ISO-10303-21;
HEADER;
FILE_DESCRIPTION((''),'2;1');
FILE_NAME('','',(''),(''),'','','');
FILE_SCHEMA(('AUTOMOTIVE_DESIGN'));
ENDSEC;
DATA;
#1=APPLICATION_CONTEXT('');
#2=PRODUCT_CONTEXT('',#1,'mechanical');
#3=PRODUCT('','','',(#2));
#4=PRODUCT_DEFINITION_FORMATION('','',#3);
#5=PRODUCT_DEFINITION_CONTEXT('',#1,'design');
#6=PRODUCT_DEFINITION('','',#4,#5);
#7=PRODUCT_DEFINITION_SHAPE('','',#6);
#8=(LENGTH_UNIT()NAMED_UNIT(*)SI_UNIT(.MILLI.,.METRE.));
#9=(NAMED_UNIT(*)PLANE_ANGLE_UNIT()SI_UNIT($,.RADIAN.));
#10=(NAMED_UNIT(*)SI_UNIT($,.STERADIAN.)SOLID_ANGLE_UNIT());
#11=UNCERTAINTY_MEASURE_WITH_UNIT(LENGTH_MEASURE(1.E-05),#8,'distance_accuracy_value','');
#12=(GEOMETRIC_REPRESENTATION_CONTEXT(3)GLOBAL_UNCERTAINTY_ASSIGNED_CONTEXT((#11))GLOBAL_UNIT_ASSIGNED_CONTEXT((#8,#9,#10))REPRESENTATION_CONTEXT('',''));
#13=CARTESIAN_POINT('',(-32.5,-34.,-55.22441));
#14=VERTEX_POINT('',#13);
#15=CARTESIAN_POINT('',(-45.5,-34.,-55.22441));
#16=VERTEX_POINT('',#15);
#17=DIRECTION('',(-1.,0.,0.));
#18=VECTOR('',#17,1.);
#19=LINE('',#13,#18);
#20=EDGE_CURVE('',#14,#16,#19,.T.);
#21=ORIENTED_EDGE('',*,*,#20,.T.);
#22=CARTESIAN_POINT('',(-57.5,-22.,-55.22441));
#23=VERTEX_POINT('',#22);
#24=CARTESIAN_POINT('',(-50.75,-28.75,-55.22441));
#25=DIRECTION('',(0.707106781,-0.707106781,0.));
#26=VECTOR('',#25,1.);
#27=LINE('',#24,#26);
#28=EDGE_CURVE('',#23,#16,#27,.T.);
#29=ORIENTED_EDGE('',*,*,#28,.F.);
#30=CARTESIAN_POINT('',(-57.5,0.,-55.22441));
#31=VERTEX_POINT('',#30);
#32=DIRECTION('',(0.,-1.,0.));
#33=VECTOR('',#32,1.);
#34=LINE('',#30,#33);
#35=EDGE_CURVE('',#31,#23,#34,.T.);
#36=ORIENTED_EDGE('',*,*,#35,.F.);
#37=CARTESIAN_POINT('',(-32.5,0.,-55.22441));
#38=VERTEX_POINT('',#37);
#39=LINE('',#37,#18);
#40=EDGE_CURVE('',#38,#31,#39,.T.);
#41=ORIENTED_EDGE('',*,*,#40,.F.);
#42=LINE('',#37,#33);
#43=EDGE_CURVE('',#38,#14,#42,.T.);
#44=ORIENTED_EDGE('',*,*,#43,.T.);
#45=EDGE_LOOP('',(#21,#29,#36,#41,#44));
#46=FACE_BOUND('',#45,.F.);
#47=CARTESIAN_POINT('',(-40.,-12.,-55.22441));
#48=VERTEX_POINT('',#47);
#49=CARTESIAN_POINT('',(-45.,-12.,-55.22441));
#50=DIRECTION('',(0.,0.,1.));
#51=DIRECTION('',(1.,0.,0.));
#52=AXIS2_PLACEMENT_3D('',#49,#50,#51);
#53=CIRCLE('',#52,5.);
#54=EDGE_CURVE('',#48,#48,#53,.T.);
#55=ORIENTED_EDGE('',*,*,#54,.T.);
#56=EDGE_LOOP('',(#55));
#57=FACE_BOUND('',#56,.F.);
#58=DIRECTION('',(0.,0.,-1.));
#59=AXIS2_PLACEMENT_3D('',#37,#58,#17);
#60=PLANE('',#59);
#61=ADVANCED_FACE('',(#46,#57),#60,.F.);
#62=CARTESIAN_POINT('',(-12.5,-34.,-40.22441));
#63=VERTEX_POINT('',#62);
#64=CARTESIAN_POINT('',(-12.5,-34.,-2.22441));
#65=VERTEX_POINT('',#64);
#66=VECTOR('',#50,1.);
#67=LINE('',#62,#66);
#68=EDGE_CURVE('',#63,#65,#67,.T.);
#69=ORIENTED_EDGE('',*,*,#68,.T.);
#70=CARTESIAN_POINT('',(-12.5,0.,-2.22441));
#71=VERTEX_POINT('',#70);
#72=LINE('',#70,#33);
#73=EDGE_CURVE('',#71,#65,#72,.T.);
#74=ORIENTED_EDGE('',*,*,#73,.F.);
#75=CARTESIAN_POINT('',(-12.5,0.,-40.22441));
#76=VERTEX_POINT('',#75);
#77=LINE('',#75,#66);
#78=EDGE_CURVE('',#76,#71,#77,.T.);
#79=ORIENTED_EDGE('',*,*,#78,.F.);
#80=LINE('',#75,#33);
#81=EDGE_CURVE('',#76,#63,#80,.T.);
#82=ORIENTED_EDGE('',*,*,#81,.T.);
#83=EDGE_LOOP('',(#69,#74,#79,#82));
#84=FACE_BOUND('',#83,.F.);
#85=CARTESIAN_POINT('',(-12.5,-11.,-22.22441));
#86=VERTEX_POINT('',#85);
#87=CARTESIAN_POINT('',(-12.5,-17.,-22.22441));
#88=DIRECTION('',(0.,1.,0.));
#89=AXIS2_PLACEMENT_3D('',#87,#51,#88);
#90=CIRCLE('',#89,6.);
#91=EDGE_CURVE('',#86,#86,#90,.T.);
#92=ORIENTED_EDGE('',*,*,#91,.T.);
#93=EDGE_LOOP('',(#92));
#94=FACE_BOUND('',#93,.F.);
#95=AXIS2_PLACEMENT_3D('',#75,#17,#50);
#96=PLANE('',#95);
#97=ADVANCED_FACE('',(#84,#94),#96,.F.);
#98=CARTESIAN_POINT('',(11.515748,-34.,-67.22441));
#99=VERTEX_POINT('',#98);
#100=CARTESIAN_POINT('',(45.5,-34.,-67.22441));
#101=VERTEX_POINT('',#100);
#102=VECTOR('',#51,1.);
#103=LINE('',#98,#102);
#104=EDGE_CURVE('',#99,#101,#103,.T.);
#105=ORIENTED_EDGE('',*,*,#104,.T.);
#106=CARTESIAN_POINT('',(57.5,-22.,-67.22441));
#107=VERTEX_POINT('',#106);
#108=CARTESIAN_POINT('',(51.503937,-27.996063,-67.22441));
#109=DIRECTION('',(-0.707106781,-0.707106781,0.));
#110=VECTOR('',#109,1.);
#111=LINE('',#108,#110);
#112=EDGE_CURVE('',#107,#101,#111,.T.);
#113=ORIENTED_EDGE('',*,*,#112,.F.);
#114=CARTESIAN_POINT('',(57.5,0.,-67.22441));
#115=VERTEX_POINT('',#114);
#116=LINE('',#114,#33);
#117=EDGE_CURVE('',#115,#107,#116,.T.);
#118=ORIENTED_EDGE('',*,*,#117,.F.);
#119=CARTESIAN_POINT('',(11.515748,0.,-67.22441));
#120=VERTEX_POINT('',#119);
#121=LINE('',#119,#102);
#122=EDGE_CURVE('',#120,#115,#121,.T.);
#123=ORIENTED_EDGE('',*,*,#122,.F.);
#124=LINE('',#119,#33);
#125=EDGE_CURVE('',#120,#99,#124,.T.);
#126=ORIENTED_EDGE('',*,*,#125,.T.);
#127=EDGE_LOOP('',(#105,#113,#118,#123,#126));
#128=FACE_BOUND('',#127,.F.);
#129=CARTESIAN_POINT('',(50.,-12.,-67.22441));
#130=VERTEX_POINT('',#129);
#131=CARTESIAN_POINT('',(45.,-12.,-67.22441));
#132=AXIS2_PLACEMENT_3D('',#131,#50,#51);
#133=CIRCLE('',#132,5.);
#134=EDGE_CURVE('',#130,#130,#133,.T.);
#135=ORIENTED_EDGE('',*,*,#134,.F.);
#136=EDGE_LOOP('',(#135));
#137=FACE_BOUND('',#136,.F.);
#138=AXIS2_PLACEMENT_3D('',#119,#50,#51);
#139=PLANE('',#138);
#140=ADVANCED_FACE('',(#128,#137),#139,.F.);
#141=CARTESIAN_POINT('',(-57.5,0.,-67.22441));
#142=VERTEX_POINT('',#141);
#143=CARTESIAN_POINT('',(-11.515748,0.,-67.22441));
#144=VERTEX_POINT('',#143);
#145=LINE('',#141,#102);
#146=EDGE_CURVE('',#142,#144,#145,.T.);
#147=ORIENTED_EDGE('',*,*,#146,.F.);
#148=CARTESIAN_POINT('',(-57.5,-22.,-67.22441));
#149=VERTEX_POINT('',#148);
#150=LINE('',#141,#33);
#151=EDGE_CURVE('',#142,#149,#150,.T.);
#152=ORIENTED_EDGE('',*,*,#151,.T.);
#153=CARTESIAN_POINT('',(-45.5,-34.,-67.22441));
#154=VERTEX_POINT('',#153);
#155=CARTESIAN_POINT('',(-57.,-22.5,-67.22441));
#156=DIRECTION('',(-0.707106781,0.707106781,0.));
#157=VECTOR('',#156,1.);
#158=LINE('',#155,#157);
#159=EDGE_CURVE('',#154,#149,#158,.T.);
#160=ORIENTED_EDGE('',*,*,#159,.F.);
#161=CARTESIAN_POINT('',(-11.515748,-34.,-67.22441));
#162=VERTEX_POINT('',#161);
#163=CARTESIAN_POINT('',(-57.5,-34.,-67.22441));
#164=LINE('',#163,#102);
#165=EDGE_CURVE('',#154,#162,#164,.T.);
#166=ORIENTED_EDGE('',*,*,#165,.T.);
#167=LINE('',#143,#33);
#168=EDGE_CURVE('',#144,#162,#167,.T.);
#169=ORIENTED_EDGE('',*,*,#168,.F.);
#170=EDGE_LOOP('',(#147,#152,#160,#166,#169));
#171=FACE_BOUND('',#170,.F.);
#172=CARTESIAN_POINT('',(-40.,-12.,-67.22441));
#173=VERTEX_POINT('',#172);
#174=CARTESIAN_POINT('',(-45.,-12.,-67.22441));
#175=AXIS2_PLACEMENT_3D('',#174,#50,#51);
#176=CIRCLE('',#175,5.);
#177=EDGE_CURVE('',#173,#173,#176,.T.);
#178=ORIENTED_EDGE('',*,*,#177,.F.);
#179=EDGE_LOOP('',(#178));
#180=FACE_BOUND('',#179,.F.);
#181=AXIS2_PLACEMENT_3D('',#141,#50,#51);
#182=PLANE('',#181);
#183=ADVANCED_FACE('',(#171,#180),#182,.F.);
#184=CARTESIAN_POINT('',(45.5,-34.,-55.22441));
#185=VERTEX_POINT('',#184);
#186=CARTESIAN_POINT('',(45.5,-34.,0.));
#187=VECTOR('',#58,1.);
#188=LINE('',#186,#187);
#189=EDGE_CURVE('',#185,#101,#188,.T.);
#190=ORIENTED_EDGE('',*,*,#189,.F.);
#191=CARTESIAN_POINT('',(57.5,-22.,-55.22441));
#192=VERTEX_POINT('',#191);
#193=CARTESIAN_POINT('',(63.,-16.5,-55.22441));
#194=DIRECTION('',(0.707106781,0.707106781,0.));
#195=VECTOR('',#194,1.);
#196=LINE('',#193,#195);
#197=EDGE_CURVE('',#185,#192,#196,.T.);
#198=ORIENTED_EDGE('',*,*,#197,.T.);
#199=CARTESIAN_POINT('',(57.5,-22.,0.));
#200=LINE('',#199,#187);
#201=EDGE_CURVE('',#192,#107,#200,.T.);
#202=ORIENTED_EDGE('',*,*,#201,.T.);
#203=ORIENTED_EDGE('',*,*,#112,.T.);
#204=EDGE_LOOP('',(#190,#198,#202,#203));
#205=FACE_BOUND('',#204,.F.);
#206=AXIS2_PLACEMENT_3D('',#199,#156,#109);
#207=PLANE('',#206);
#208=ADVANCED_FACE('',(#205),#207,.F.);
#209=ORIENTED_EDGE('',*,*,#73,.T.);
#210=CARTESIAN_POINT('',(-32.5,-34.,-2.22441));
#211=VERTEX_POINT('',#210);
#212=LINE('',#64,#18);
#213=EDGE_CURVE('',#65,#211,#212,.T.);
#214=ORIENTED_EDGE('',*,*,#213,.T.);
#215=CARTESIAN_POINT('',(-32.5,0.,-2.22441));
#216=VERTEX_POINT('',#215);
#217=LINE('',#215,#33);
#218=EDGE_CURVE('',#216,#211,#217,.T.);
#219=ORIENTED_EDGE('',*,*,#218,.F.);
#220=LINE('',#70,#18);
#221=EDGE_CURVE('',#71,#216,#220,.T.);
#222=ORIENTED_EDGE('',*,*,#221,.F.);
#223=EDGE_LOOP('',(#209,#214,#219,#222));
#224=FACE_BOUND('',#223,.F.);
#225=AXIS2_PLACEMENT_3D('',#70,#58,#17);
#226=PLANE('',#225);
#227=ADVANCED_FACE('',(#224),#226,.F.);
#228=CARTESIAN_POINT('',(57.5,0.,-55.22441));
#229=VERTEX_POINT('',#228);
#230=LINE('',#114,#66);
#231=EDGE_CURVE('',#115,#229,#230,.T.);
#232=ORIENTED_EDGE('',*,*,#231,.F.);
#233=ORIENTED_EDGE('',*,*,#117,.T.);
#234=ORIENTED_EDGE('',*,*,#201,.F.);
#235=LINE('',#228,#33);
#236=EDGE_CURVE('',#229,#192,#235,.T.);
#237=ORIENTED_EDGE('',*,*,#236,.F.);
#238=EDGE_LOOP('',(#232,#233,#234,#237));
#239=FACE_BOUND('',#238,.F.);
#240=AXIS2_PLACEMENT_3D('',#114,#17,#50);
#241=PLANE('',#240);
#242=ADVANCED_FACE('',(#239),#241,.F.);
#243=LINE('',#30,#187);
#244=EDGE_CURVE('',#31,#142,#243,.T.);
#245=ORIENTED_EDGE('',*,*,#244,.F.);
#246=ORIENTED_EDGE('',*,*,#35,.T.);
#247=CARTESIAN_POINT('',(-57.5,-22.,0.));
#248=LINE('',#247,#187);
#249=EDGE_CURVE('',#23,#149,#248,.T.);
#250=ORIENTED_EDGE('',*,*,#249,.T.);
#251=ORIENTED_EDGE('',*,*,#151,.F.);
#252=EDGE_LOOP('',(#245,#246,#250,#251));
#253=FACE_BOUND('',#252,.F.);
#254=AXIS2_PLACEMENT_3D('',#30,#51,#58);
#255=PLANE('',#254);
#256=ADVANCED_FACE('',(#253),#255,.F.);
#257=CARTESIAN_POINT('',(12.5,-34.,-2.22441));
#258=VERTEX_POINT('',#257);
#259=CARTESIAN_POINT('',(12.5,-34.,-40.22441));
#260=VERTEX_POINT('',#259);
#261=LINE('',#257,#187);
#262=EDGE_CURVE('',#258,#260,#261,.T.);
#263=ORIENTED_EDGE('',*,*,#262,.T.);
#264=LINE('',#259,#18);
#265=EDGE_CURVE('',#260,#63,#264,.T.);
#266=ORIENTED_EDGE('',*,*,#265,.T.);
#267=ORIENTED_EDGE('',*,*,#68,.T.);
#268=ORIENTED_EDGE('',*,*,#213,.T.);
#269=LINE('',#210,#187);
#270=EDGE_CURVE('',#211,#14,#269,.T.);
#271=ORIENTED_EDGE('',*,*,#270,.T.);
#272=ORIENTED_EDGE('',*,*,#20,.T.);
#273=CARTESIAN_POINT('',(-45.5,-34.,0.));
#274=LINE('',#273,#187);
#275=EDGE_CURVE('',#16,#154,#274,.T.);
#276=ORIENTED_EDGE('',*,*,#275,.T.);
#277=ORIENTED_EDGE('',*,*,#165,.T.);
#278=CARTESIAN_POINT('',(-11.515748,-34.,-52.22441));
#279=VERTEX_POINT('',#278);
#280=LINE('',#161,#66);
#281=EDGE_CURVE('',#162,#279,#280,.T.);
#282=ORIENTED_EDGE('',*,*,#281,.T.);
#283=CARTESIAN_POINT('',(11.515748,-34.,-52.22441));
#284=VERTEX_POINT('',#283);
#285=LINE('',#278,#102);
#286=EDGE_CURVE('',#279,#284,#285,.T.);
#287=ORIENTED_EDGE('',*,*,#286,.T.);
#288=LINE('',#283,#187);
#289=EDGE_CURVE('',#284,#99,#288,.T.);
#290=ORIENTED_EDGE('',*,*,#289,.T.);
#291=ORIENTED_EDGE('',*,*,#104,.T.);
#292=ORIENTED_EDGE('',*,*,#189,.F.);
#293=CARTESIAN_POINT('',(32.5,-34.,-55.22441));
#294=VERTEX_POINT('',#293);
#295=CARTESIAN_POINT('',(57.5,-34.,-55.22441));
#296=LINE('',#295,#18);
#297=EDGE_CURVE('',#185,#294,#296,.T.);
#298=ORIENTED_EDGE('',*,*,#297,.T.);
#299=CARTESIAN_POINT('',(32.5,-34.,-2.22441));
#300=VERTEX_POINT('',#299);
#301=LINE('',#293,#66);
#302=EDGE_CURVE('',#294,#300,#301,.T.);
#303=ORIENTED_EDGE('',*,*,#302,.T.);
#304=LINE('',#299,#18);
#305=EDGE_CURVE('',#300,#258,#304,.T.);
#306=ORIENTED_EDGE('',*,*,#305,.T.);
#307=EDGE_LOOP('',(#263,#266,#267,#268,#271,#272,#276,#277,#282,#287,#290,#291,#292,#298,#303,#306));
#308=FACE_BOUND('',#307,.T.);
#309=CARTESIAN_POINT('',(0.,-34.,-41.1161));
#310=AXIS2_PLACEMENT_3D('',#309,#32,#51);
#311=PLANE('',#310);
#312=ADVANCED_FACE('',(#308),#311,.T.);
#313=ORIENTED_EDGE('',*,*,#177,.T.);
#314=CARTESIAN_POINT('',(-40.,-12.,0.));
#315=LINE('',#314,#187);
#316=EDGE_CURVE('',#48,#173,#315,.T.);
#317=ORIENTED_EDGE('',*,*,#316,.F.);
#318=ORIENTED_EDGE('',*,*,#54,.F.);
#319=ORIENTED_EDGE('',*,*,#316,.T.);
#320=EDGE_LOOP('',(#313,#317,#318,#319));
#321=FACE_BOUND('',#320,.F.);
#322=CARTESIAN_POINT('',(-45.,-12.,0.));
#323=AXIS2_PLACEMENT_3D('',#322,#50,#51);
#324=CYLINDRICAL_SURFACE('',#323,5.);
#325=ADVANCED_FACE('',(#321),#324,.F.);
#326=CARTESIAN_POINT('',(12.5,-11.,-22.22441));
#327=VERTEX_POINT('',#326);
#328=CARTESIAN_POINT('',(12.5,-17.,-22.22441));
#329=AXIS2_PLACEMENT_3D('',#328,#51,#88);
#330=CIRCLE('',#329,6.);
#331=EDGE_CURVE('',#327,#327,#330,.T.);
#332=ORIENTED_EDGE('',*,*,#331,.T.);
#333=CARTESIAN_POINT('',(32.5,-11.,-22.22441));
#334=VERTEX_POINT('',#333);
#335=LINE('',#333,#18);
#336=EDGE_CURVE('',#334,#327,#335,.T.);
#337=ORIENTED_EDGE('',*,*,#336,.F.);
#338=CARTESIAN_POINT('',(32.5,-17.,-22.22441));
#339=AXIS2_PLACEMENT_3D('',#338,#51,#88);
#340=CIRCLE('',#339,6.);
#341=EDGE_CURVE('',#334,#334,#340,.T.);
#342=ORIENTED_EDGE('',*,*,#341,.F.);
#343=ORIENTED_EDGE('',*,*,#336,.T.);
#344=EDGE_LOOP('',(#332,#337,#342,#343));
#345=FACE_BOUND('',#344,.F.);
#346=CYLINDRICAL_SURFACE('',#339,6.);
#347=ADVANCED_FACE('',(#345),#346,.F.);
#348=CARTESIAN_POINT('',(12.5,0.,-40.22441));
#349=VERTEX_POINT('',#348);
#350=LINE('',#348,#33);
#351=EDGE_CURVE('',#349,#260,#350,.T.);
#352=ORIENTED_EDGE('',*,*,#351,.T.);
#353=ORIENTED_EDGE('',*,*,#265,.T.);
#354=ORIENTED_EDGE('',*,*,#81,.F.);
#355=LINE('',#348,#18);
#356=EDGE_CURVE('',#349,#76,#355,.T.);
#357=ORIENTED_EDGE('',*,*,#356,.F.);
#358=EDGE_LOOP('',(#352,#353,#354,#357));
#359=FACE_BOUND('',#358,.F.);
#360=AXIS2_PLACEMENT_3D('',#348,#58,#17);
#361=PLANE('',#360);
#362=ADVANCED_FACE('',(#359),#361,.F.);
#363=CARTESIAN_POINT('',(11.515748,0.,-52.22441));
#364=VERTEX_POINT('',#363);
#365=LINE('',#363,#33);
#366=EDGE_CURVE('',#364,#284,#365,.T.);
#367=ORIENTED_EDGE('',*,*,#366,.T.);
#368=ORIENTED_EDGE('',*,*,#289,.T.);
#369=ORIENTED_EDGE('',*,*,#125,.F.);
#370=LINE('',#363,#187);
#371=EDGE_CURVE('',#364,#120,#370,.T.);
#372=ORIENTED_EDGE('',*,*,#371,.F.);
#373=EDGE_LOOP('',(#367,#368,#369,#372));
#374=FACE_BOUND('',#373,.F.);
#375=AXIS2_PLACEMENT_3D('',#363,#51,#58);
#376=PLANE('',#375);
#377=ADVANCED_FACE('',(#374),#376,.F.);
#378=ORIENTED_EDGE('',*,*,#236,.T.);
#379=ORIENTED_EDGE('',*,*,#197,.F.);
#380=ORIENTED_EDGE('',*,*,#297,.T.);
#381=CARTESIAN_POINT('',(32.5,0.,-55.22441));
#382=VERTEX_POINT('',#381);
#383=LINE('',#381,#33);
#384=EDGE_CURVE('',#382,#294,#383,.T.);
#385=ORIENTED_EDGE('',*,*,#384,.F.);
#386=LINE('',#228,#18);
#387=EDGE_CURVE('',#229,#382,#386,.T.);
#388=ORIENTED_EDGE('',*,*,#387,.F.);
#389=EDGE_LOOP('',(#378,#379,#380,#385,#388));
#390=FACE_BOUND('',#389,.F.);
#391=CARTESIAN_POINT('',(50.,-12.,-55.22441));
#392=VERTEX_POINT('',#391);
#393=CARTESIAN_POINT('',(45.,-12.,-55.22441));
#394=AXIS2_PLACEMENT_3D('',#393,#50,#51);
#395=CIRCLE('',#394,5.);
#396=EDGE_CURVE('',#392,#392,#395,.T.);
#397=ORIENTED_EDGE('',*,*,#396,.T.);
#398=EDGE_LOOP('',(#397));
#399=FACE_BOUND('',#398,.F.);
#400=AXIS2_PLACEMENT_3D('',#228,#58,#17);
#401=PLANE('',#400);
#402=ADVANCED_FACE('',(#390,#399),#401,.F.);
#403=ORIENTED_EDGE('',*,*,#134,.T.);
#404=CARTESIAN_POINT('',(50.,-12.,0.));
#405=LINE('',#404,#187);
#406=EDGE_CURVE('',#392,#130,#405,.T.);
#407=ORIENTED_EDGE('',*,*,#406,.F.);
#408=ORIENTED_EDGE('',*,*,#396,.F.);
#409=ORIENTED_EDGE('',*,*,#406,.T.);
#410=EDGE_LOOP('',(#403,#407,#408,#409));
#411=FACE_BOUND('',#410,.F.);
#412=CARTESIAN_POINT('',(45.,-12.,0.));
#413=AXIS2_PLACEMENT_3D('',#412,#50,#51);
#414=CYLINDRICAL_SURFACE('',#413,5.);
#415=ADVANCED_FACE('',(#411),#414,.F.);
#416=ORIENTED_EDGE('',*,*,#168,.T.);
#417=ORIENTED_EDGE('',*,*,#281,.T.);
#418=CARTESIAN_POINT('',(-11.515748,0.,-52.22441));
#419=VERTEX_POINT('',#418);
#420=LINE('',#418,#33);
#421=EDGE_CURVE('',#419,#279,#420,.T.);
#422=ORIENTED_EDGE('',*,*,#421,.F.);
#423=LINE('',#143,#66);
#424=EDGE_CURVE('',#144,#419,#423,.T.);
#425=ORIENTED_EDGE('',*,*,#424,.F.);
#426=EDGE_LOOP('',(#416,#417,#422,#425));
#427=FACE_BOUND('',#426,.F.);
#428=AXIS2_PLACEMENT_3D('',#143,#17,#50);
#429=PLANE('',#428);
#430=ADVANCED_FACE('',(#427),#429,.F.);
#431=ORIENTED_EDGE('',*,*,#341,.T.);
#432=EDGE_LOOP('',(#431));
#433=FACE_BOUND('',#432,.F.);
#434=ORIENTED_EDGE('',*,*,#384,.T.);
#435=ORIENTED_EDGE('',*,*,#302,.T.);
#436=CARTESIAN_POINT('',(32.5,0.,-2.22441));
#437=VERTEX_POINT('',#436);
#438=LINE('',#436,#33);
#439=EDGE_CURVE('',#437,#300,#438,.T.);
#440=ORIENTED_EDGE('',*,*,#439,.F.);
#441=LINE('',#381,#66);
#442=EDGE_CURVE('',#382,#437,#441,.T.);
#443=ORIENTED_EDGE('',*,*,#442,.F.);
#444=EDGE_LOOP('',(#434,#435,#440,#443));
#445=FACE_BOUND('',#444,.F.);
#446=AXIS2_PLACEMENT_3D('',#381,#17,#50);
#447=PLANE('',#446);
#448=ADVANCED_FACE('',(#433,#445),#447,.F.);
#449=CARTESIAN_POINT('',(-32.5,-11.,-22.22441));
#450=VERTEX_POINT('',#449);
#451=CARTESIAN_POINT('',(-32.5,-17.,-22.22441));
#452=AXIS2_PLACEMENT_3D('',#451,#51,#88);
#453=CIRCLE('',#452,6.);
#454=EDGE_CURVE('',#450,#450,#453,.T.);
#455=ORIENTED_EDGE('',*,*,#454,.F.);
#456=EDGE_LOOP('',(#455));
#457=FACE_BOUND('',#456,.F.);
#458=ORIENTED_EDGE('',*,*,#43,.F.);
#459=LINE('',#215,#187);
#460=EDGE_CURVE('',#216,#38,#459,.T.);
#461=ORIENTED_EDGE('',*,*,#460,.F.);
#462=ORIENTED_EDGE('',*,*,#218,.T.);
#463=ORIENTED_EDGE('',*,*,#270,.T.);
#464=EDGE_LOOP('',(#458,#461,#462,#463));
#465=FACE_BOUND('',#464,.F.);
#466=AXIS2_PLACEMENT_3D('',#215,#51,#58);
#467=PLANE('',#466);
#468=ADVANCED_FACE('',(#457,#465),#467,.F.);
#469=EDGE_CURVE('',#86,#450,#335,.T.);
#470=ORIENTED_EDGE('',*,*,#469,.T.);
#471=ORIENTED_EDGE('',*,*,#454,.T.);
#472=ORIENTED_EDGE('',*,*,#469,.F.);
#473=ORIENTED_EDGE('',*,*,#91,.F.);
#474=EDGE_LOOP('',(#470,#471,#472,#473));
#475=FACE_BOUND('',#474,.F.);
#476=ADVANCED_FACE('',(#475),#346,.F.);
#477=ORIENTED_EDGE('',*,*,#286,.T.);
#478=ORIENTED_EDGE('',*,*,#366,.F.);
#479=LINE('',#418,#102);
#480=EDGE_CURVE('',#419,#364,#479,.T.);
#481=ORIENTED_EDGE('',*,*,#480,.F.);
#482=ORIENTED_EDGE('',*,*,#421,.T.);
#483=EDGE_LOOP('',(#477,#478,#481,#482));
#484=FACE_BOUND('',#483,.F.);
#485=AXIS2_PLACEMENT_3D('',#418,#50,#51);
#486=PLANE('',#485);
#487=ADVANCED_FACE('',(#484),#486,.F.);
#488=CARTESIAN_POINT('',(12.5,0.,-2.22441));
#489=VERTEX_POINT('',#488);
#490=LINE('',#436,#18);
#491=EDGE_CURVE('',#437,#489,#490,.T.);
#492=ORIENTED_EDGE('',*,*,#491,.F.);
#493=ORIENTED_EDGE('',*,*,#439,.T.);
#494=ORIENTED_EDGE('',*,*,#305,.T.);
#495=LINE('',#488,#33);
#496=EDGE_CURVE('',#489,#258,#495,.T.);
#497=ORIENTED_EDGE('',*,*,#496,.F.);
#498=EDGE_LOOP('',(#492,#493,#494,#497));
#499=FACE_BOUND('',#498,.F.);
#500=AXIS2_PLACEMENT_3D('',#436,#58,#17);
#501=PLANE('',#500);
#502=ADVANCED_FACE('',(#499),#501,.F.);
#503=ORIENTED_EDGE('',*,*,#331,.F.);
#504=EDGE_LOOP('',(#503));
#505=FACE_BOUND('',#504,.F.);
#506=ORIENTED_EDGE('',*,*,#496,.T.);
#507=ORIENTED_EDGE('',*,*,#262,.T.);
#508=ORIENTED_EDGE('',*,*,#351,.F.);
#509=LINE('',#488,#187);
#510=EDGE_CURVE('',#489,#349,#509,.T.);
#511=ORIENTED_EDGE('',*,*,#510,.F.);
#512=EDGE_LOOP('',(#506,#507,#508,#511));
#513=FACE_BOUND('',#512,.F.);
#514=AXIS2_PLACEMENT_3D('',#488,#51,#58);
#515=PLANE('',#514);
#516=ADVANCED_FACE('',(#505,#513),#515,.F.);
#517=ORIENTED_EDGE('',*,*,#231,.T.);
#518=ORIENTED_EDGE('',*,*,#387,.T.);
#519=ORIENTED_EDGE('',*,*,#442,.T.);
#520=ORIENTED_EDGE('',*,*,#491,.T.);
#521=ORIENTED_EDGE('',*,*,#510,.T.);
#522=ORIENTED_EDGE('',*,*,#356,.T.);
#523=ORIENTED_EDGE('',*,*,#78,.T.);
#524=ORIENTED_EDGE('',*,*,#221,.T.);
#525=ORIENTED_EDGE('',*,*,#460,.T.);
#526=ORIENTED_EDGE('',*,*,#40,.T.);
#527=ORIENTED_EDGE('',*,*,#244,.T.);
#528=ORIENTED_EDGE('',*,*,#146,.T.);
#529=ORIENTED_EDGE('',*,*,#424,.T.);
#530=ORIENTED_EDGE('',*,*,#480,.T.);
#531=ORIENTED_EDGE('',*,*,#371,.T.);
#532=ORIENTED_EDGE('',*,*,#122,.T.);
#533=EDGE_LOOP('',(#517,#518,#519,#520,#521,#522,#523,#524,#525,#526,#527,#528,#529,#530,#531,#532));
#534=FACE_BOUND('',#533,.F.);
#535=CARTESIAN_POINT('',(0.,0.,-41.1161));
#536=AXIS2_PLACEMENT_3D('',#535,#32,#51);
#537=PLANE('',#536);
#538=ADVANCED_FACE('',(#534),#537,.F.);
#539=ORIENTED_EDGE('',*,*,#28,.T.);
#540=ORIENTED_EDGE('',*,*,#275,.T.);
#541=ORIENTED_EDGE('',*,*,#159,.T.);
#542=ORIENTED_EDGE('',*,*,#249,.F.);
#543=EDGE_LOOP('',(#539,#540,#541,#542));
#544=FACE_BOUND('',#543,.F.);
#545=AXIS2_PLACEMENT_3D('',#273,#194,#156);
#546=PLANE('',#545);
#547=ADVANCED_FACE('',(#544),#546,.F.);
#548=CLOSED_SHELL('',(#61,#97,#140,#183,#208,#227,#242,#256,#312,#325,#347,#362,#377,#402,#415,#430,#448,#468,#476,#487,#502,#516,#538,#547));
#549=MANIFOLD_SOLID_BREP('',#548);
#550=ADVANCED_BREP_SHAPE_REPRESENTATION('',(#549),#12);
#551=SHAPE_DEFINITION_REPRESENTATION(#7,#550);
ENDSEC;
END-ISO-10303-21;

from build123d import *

# Parameters (mm, degrees)
F1_DEPTH = 34
F2_R     = 6
F3_DEPTH = 90.001
F4_R     = 5
F5_DEPTH = 67.22541
F7_DEPTH = 67.22541


with BuildPart() as f1:
    # F0 (on Front) → F1 (new body)
    with BuildSketch(Plane.XZ):
        Polygon((-12.5, -2.22441), (-32.5, -2.22441), (-32.5, -55.22441), (-57.5, -55.22441), (-57.5, -67.22441), (-11.515748, -67.22441), (-11.515748, -52.22441), (0, -52.22441), (11.515748, -52.22441), (11.515748, -67.22441), (57.5, -67.22441), (57.5, -55.22441), (32.5, -55.22441), (32.5, -2.22441), (12.5, -2.22441), (12.5, -40.22441), (0, -40.22441), (-12.5, -40.22441), align=None)
    extrude(amount=F1_DEPTH)

    # F2 (on face) → F3 (cut, through all)
    with BuildSketch(Plane.YZ.offset(32.5)):
        with Locations((-17, -22.22441)):
            Circle(F2_R)
    extrude(amount=-F3_DEPTH, mode=Mode.SUBTRACT)

    # F4 (on Top) → F5 (cut, through all)
    with BuildSketch(Plane.XY):
        with Locations((-45, -12)):
            Circle(F4_R)
        with Locations((45, -12)):
            Circle(F4_R)
    extrude(amount=-F5_DEPTH, mode=Mode.SUBTRACT)

    # F6 (on Top) → F7 (cut, through all)
    with BuildSketch(Plane.XY):
        Polygon((57.5, -34), (57.5, -22), (45.5, -34), align=None)
        Polygon((-45.5, -34), (-57.5, -22), (-57.5, -34), align=None)
    extrude(amount=-F7_DEPTH, mode=Mode.SUBTRACT)


solid = f1.part
